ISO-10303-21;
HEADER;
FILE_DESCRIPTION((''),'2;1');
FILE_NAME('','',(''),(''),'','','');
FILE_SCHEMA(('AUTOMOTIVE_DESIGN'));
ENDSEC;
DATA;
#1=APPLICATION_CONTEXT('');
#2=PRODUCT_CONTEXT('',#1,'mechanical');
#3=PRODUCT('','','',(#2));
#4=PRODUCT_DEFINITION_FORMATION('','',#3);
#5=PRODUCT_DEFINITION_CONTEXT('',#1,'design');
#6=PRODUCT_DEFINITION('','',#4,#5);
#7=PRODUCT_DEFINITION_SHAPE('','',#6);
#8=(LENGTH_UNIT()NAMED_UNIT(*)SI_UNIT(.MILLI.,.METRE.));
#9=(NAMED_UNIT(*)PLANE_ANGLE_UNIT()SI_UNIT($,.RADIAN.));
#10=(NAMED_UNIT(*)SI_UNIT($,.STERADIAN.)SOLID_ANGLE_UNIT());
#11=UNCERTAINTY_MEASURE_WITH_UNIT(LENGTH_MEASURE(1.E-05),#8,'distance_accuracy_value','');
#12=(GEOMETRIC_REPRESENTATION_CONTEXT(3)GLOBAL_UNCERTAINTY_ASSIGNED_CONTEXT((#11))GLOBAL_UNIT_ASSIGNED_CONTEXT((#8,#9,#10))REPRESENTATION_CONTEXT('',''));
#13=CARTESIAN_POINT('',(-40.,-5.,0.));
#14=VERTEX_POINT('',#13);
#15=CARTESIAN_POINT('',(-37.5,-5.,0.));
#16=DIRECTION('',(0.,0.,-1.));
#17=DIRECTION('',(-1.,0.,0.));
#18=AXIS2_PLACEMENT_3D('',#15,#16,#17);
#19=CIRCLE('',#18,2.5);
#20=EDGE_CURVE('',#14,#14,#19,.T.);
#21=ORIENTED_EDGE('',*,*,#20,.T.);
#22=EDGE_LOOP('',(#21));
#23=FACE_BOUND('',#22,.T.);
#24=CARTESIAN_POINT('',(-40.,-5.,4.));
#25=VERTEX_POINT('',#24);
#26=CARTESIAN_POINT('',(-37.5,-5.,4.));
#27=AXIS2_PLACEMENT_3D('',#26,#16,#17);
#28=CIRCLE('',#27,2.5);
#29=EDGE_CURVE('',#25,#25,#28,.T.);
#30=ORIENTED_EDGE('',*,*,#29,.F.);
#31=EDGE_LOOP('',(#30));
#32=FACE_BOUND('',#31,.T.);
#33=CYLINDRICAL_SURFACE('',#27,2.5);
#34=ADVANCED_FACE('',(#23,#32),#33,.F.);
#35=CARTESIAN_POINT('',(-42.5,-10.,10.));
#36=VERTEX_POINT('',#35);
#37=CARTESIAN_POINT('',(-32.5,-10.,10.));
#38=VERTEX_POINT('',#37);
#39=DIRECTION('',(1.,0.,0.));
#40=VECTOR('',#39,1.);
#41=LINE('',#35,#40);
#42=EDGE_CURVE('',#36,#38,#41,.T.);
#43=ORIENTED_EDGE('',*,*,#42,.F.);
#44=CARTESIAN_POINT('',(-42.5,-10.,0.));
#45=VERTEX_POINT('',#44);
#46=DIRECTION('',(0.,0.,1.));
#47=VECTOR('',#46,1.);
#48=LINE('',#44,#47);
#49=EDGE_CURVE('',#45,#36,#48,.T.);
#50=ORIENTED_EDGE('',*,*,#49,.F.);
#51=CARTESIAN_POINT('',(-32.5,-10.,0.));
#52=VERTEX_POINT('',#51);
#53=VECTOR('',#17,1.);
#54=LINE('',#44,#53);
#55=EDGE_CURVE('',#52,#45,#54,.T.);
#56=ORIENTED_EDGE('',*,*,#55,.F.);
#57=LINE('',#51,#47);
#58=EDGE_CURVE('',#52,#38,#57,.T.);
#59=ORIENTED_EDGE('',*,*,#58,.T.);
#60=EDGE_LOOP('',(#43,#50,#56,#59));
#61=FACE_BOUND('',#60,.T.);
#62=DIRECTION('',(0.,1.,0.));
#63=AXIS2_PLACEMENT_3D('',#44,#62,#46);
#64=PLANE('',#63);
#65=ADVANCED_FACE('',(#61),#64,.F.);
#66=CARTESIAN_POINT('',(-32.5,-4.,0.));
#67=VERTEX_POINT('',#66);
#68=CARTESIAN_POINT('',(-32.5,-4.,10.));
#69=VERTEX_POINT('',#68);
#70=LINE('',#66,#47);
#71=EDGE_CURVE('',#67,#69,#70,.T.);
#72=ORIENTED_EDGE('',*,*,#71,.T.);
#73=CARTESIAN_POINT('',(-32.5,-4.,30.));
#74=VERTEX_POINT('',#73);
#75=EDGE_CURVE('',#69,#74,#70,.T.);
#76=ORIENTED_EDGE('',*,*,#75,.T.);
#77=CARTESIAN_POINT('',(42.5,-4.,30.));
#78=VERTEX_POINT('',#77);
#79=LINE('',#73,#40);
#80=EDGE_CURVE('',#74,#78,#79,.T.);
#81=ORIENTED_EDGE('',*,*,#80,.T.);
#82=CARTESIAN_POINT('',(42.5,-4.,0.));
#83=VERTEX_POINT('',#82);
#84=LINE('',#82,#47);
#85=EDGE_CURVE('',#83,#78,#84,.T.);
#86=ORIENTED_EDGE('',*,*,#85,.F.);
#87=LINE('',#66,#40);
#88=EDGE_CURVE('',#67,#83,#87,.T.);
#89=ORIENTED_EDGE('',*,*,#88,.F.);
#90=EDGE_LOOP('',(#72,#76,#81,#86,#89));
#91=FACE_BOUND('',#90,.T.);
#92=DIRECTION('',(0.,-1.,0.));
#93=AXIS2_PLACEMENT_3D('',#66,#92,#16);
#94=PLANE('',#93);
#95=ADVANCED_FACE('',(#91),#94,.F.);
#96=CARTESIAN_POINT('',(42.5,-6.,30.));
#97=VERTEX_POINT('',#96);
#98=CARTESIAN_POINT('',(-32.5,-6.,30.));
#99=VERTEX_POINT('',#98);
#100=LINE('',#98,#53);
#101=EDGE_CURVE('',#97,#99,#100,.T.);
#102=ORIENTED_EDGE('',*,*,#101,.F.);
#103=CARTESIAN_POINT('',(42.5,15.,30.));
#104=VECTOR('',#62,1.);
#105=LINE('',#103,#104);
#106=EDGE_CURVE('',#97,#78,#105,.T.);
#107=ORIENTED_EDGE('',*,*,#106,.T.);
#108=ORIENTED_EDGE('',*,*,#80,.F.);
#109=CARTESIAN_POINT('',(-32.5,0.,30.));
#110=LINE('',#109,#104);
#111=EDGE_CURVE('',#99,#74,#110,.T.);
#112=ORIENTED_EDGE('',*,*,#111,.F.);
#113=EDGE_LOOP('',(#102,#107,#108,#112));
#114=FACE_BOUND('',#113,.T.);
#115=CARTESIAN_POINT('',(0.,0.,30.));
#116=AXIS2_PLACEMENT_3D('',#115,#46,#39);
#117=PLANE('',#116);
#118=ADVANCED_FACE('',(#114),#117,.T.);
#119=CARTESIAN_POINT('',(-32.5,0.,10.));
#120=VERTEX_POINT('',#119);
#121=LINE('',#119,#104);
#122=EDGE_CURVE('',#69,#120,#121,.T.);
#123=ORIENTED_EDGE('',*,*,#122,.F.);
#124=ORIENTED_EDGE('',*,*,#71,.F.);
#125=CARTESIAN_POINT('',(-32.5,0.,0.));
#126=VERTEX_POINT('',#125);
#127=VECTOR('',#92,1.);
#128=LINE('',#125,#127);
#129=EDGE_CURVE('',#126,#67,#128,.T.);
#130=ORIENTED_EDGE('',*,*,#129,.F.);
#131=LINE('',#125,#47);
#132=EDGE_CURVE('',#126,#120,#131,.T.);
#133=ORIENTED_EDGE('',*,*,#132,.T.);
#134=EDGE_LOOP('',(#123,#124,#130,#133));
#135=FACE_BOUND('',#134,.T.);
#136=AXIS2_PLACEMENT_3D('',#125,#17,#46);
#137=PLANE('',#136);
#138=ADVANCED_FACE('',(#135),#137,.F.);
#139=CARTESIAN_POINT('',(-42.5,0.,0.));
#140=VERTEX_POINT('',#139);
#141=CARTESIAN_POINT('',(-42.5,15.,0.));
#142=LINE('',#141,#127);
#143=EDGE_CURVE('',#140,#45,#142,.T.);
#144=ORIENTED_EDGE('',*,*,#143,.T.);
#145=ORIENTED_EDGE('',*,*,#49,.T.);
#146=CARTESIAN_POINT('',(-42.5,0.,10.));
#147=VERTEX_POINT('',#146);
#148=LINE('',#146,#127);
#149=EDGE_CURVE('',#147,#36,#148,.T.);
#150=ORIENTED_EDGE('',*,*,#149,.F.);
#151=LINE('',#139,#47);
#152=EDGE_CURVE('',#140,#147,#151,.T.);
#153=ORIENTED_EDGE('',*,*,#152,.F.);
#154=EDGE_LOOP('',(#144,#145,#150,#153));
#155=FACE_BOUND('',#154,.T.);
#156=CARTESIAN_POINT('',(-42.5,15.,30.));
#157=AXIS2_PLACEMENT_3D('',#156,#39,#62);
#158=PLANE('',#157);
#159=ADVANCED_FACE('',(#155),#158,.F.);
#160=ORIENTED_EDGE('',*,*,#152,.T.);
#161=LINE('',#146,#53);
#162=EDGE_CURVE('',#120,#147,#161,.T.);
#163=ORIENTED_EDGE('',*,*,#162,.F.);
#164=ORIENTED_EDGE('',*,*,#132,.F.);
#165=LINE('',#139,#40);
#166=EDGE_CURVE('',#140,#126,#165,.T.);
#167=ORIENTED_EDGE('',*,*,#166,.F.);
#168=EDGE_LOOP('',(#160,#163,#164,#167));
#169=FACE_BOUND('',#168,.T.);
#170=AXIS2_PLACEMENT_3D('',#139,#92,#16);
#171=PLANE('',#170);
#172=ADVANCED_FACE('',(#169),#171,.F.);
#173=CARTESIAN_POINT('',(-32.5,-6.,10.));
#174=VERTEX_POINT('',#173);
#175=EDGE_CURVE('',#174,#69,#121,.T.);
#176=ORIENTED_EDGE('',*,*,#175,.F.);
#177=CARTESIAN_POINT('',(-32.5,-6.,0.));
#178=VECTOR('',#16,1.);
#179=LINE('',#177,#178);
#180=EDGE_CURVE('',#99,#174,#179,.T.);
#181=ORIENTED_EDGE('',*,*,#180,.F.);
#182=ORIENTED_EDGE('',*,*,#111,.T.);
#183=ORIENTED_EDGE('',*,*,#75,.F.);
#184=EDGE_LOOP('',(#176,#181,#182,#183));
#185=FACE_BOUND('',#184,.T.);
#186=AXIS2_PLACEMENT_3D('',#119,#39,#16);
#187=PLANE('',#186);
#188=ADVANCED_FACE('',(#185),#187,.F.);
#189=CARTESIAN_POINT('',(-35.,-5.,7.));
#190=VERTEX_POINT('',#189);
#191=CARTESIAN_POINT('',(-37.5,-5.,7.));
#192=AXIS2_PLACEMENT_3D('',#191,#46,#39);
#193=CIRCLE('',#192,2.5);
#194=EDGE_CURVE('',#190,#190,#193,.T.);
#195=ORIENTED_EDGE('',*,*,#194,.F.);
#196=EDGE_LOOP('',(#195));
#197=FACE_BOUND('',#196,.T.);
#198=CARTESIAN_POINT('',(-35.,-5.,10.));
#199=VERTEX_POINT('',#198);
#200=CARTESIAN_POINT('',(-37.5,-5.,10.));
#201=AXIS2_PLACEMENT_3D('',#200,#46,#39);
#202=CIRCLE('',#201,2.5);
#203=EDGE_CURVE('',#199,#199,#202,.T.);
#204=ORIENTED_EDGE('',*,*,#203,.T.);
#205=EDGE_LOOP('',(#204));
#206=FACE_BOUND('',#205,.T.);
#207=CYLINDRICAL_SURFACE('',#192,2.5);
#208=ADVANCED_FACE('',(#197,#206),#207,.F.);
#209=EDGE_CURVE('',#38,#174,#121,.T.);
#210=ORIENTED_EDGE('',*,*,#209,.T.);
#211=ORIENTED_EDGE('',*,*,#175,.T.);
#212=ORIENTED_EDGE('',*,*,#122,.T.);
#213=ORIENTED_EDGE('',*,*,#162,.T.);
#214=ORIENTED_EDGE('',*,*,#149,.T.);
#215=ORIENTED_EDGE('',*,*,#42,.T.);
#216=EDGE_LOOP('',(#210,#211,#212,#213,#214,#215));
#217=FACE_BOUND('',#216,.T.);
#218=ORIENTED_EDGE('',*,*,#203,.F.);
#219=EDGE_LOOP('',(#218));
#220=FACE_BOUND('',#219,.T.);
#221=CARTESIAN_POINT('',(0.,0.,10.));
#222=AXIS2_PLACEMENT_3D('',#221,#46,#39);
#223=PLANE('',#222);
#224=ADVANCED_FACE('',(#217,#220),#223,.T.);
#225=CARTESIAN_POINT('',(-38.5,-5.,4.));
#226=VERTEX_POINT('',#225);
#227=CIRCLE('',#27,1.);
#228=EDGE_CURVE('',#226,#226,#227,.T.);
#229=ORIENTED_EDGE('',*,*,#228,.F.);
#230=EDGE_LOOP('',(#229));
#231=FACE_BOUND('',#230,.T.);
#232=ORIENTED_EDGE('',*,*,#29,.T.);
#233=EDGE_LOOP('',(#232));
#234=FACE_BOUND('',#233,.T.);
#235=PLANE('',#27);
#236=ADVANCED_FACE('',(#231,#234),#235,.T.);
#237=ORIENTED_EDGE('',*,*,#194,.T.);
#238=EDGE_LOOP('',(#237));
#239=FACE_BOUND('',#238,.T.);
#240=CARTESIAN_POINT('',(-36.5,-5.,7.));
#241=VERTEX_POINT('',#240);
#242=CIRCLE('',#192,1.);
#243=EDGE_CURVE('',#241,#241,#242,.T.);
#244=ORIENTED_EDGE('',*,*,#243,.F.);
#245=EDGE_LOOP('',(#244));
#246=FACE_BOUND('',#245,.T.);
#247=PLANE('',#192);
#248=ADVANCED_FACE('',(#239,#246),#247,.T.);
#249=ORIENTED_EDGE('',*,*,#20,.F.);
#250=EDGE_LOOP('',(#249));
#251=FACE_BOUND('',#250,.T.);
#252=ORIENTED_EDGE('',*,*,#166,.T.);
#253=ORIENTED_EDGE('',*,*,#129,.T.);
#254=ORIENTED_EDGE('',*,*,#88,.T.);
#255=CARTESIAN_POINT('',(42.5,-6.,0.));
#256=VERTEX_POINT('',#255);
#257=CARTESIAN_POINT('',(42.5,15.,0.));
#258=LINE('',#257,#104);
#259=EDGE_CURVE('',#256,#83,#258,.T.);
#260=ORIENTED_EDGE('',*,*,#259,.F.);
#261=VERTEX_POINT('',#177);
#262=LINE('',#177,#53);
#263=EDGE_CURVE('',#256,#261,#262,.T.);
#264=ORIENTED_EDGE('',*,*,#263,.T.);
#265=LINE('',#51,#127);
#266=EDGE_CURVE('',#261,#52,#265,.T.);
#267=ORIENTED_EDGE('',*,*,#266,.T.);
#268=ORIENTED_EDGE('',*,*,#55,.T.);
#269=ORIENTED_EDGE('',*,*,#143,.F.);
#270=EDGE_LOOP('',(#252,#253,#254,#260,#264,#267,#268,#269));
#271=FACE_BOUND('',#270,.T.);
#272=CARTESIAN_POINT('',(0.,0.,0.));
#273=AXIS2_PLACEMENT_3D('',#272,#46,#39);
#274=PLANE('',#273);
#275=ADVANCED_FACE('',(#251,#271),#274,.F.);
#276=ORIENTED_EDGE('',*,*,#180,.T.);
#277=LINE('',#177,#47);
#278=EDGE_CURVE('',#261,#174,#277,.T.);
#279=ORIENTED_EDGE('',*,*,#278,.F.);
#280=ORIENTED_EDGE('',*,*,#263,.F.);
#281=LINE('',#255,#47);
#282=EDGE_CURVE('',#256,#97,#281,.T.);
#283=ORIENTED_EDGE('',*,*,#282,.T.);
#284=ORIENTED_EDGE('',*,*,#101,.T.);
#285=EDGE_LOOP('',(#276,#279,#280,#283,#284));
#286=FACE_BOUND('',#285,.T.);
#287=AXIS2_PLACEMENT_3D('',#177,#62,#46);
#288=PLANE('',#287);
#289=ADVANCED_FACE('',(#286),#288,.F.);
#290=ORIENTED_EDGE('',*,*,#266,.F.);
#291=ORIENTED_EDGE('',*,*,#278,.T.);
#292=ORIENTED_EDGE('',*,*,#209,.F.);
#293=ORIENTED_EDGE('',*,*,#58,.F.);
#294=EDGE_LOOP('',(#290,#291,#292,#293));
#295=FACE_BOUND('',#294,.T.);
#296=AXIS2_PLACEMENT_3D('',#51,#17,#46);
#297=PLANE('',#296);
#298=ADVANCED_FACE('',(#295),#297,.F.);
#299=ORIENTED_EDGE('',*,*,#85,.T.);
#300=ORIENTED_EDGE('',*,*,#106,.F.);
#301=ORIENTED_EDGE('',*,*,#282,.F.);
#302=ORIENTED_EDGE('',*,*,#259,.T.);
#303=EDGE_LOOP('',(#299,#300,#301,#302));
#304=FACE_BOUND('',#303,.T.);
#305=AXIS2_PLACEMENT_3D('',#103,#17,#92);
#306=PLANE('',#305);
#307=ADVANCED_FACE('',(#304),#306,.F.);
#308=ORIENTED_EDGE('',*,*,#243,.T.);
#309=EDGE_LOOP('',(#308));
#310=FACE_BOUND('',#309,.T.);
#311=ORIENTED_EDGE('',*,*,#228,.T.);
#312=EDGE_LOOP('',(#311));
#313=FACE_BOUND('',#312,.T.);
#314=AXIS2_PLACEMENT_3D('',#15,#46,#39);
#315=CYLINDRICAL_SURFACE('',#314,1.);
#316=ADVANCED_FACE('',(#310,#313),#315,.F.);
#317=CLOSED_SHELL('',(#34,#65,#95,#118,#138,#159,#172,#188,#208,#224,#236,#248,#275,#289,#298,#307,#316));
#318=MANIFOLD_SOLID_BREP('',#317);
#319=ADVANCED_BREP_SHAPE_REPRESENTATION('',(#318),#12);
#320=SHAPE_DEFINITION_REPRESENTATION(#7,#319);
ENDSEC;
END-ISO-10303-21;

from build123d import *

# Parameters (mm, degrees)
SKETCH1_W           = 85
SKETCH1_H           = 30
BOSS_EXTRUDE1_DEPTH = 30
CUT_EXTRUDE1_DEPTH  = 30
SKETCH3_W           = 10
SKETCH3_H           = 10
CUT_EXTRUDE2_DEPTH  = 20
SKETCH4_R           = 2.5
CUT_EXTRUDE3_DEPTH  = 4
CUT_EXTRUDE4_START  = -3
SKETCH5_R           = 2.5
CUT_EXTRUDE4_DEPTH  = 3
SKETCH6_R           = 1
CUT_EXTRUDE5_DEPTH  = 50.348252249


with BuildPart() as part:
    # Sketch1 → Boss-Extrude1 (new body)
    with BuildSketch(Plane.XY):
        Rectangle(SKETCH1_W, SKETCH1_H)
    extrude(amount=BOSS_EXTRUDE1_DEPTH)

    # Sketch2 → Cut-Extrude1 (cut)
    with BuildSketch(Plane.XY.offset(30)):
        Polygon((-42.5, 0), (-32.5, 0), (-32.5, -4), (42.5, -4), (42.5, 15), (-42.5, 15), align=None)
        Polygon((-42.5, -10), (-32.5, -10), (-32.5, -6), (42.5, -6), (42.5, -15), (-42.5, -15), align=None)
    extrude(amount=-CUT_EXTRUDE1_DEPTH, mode=Mode.SUBTRACT)

    # Sketch3 → Cut-Extrude2 (cut)
    with BuildSketch(Plane.XY.offset(30)):
        with Locations((-37.5, -5)):
            Rectangle(SKETCH3_W, SKETCH3_H)
    extrude(amount=-CUT_EXTRUDE2_DEPTH, mode=Mode.SUBTRACT)

    # Sketch4 → Cut-Extrude3 (cut)
    with BuildSketch(Plane(origin=(0, 0, 0), x_dir=(-1, 0, 0), z_dir=(0, 0, -1))):
        with Locations((37.5, -5)):
            Circle(SKETCH4_R)
    extrude(amount=-CUT_EXTRUDE3_DEPTH, mode=Mode.SUBTRACT)

    # Sketch5 → Cut-Extrude4 (cut)
    with BuildSketch(Plane.XY.offset(10).offset(CUT_EXTRUDE4_START)):
        with Locations(Location((-37.5, -5, 0), (0, 0, 180))):
            Circle(SKETCH5_R)
    extrude(amount=CUT_EXTRUDE4_DEPTH, mode=Mode.SUBTRACT)

    # Sketch6 → Cut-Extrude5 (cut, through all)
    with BuildSketch(Plane.XY.offset(7)):
        with Locations((-37.5, -5)):
            Circle(SKETCH6_R)
    extrude(amount=-CUT_EXTRUDE5_DEPTH, mode=Mode.SUBTRACT)


solid = part.part
